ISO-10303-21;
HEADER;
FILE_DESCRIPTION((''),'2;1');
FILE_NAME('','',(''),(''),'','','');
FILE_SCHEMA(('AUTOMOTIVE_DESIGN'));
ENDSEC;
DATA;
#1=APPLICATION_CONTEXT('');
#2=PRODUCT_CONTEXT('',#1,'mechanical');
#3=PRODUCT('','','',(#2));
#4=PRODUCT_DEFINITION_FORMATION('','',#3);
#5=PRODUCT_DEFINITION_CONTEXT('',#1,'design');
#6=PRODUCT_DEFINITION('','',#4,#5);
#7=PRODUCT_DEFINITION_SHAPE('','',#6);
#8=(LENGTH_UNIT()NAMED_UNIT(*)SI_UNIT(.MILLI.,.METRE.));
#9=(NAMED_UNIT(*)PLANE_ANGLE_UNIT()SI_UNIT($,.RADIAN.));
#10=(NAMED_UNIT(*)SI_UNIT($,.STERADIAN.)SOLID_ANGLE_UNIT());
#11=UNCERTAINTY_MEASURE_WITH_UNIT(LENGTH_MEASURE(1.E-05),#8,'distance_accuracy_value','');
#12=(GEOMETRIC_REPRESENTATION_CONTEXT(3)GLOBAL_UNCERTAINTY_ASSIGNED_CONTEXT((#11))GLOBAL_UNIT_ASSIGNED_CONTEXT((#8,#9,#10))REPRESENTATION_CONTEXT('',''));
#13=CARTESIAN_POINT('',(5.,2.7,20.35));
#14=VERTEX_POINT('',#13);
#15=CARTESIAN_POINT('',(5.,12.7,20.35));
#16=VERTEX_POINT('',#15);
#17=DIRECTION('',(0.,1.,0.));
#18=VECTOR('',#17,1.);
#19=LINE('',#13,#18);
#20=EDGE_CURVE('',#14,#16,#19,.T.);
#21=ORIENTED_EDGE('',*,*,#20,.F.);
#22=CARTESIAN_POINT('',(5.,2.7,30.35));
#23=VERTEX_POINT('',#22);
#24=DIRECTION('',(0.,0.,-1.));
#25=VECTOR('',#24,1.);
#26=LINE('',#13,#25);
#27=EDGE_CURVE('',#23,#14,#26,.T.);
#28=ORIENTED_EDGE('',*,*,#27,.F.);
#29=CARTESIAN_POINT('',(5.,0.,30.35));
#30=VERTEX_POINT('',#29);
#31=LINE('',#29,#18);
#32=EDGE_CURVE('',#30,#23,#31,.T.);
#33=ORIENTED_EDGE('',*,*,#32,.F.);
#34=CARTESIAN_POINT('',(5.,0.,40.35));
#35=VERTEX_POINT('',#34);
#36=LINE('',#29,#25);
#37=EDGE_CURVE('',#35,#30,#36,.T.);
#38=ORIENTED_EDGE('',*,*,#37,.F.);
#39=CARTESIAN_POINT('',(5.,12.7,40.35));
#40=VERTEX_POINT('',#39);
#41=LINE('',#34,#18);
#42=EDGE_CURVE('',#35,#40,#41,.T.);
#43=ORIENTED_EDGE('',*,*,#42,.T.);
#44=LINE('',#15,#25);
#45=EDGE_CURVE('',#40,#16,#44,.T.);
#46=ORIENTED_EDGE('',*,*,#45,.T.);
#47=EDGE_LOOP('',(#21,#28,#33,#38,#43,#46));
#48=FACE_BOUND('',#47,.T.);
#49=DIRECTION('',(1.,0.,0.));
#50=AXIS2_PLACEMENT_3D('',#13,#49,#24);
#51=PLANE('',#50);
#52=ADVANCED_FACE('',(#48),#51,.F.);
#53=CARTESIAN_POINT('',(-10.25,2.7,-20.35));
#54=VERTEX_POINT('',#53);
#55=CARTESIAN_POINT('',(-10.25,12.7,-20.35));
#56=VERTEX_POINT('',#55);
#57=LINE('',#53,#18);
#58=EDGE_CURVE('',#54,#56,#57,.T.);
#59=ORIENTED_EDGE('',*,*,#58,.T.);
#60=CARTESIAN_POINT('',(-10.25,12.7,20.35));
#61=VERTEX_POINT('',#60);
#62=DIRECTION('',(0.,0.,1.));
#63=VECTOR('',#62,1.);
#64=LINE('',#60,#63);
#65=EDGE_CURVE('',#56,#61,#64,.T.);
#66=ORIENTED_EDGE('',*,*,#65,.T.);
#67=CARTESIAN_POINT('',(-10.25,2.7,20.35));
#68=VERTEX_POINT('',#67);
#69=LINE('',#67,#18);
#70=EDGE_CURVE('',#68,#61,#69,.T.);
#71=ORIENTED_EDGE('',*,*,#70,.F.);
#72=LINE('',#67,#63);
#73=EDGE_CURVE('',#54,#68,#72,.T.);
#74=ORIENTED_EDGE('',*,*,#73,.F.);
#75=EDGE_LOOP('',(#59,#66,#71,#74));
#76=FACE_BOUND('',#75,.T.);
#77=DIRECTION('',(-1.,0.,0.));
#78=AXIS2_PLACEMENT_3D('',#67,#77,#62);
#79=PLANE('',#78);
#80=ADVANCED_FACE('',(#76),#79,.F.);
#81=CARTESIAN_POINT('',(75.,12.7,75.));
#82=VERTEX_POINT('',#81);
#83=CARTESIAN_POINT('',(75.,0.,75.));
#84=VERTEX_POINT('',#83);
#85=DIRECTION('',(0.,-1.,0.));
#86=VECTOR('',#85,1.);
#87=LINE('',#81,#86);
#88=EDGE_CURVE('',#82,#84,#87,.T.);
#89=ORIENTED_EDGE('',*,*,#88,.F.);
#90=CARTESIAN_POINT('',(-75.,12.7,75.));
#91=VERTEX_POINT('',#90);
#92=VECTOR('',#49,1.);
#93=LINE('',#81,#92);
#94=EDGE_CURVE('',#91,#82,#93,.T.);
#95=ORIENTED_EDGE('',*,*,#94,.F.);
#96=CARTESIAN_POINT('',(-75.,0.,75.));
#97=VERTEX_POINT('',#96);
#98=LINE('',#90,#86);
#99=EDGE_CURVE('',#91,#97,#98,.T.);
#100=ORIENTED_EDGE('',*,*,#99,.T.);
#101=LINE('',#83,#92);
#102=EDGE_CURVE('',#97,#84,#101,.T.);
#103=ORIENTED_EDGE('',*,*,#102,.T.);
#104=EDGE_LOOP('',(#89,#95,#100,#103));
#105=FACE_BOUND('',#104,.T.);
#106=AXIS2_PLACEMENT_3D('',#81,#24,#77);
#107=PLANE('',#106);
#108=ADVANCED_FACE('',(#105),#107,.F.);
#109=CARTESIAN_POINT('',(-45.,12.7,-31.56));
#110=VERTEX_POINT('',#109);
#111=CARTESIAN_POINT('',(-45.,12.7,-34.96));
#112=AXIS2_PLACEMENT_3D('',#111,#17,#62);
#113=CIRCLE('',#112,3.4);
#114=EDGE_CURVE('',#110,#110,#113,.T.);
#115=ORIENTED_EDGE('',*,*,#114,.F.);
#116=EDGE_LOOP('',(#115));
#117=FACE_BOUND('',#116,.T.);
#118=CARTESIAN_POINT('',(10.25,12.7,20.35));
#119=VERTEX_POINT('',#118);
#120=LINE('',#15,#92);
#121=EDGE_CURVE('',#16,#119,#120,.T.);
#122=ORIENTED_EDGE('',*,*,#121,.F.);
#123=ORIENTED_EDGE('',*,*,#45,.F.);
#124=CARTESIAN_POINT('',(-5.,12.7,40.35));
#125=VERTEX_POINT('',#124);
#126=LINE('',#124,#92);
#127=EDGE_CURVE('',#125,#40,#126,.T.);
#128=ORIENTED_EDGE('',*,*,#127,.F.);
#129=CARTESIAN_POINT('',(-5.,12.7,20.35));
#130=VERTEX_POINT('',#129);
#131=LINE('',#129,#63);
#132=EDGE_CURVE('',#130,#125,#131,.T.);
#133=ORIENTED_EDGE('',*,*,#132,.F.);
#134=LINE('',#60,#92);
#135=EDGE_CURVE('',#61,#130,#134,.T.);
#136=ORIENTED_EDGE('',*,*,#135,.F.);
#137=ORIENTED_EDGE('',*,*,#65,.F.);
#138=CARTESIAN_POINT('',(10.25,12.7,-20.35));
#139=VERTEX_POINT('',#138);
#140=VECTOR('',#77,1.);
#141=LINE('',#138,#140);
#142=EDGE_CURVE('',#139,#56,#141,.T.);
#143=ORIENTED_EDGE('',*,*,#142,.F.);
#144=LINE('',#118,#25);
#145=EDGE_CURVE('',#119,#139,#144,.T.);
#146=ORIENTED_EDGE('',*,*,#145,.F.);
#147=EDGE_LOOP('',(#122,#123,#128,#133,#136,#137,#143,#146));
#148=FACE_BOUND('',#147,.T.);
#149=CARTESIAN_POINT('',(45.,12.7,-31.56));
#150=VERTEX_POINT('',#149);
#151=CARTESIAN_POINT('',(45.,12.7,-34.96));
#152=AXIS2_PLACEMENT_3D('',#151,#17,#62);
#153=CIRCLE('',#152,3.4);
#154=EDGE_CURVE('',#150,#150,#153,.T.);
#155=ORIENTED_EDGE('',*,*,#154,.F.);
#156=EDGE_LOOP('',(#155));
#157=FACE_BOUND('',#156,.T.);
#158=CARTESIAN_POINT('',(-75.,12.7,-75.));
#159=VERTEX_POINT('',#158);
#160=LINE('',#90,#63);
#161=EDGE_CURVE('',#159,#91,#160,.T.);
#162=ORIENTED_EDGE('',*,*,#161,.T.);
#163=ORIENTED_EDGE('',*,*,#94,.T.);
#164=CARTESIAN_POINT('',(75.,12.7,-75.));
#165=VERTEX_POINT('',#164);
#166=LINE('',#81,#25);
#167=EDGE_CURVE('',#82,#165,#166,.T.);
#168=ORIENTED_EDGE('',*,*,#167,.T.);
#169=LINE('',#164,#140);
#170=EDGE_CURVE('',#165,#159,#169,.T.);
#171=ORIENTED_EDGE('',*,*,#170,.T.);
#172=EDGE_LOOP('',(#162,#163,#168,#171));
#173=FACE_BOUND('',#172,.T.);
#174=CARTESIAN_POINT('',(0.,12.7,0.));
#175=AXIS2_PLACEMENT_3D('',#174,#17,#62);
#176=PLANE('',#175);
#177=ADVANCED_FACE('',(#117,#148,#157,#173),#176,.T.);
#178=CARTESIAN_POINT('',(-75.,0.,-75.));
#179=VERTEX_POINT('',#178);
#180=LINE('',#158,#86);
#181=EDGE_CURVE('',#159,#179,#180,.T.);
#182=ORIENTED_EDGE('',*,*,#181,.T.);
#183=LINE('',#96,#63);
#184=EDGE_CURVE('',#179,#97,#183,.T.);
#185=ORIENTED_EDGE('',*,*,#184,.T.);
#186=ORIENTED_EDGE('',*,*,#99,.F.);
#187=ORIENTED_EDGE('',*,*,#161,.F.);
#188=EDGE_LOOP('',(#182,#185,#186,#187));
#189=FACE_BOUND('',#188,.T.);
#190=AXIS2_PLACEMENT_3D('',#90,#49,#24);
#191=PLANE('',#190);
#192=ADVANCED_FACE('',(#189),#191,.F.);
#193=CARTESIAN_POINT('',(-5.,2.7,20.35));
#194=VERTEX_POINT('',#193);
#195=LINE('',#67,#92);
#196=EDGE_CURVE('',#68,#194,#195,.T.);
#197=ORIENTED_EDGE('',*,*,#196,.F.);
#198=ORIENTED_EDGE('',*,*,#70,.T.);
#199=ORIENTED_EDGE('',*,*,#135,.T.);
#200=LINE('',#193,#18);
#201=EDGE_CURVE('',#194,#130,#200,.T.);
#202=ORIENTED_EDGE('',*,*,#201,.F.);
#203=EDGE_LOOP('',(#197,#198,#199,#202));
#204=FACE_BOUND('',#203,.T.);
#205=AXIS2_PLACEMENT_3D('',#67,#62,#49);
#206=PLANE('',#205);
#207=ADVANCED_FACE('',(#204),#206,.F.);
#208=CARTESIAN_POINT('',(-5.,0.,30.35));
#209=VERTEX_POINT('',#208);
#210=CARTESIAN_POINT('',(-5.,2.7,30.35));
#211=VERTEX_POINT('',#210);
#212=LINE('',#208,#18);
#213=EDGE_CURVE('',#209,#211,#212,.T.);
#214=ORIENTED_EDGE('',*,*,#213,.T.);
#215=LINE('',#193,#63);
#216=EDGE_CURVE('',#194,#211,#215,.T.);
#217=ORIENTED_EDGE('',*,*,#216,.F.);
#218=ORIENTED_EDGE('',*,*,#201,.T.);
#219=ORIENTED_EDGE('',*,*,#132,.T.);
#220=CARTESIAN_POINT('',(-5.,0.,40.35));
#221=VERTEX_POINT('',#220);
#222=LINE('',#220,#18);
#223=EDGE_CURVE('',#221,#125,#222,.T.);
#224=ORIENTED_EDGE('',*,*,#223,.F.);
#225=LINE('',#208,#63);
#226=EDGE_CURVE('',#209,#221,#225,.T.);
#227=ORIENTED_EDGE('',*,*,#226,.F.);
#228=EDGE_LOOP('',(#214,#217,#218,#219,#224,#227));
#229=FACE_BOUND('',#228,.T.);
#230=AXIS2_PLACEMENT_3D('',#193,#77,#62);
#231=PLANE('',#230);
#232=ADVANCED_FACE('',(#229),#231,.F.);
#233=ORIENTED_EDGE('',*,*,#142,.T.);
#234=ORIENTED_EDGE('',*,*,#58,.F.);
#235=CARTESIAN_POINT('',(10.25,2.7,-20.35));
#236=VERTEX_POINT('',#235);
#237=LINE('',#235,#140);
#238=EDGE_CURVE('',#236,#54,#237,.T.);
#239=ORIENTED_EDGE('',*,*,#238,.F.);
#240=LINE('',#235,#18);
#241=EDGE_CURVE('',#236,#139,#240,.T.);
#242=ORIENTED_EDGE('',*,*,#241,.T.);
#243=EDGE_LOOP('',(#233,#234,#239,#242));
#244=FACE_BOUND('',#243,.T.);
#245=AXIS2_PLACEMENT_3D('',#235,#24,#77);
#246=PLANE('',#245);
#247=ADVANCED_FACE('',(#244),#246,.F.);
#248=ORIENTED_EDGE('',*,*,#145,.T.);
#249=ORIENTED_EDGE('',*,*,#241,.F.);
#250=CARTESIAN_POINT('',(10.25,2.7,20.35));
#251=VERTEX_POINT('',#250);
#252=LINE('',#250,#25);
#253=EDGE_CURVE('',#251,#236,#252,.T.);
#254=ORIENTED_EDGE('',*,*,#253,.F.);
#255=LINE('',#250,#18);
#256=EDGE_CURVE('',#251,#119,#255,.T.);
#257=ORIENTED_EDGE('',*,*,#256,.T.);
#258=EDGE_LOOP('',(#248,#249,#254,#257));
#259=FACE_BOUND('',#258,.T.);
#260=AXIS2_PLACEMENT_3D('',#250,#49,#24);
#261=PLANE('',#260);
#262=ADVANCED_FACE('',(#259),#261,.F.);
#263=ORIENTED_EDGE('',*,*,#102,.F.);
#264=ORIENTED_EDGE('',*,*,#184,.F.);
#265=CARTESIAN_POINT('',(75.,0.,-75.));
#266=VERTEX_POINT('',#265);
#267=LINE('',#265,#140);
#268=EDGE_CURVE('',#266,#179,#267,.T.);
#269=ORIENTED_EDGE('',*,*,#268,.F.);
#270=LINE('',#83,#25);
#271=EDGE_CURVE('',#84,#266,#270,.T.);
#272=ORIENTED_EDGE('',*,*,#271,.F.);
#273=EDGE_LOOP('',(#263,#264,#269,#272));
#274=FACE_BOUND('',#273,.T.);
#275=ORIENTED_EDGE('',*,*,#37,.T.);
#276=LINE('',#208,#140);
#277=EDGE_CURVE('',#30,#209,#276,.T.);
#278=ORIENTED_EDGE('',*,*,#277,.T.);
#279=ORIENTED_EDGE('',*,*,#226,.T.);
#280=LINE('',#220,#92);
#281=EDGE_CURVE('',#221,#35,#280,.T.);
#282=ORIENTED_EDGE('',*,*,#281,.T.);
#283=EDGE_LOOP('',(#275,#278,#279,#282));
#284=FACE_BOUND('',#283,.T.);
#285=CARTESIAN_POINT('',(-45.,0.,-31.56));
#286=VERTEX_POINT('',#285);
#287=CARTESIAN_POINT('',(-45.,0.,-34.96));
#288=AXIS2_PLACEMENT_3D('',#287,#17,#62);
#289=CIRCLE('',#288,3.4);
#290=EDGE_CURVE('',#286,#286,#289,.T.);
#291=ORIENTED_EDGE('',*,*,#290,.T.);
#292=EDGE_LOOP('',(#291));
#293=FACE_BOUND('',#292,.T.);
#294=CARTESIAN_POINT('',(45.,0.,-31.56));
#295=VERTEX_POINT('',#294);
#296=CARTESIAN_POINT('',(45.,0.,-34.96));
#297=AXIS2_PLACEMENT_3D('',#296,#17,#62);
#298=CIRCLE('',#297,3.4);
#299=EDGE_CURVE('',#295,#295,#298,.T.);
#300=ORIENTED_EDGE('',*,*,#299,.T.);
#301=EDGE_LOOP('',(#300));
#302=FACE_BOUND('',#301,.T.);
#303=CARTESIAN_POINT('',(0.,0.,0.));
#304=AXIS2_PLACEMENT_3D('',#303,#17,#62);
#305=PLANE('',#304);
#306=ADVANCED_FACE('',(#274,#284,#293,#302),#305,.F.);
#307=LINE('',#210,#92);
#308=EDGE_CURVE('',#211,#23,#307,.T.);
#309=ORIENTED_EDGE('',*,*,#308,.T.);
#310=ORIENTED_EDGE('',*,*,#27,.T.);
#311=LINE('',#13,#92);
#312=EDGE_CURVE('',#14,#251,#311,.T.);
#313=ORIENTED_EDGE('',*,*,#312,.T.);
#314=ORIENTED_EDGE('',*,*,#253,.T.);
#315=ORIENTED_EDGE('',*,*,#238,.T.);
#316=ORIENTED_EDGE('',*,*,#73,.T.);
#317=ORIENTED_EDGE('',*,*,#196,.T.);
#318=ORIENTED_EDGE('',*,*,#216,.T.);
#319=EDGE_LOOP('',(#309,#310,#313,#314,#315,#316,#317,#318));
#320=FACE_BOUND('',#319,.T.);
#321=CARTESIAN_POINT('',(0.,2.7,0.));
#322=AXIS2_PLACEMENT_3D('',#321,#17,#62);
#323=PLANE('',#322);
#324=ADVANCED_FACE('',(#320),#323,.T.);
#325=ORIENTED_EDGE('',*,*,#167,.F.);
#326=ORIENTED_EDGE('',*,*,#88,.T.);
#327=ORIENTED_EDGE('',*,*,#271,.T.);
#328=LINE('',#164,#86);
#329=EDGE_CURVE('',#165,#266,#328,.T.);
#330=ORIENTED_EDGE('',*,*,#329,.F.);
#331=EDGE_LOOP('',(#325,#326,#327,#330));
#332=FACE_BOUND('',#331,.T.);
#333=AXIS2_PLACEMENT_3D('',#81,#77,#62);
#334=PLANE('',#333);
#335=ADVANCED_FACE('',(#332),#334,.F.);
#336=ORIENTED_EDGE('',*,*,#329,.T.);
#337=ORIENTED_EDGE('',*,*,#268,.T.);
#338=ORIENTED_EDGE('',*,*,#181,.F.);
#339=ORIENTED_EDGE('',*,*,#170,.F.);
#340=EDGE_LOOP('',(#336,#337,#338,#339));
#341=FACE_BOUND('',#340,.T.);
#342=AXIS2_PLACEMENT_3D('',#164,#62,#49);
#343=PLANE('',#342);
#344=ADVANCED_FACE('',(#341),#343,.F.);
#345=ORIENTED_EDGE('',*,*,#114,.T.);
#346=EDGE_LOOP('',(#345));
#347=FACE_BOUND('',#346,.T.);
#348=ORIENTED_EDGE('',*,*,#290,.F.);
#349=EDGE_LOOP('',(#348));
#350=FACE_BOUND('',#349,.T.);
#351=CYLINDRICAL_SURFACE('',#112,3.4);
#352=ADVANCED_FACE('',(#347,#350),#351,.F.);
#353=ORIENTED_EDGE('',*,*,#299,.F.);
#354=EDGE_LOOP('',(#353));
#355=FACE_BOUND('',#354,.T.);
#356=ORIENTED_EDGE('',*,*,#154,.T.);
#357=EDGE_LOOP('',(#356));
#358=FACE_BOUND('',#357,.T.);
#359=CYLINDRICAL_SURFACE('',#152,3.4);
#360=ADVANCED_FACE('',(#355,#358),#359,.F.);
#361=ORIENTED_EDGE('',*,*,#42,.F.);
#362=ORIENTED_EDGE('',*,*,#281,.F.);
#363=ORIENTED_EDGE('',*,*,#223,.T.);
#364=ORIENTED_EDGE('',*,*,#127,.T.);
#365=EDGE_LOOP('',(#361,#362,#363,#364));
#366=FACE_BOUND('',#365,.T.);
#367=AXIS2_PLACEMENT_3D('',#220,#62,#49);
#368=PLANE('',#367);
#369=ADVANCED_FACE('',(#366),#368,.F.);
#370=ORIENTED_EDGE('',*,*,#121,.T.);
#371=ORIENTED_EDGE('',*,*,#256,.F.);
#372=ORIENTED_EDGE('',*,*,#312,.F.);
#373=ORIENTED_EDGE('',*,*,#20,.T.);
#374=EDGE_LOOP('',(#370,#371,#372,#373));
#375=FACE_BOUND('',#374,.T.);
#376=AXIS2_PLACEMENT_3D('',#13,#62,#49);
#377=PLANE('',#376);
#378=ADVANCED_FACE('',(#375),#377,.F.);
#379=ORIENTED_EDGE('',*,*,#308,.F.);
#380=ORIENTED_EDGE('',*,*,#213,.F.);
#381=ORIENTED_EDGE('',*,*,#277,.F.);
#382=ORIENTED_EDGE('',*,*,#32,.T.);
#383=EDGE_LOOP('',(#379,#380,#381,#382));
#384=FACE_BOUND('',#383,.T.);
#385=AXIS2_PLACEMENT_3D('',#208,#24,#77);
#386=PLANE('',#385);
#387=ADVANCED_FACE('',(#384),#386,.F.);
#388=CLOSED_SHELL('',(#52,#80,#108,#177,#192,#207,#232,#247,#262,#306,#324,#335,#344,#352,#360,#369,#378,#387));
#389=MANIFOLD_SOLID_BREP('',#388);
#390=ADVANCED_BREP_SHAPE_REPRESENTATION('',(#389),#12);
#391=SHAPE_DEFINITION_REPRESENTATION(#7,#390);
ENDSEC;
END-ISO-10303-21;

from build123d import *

# Parameters (mm, degrees)
ESBO_O1_W                = 150
ESBO_O1_H                = 150
RESSALTO_EXTRUS_O2_DEPTH = 12.7
CORTE_EXTRUS_O1_DEPTH    = 10
ESBO_O4_W                = 10
ESBO_O4_H                = 10
CORTE_EXTRUS_O2_DEPTH    = 107.823639706
ESBO_O5_R                = 3
CORTE_EXTRUS_O3_DEPTH    = 12.7
FURO_ROSCADO_DE_M83_D    = 6.8


with BuildPart() as part:
    # Esboço1 → Ressalto-extrusão2 (new body)
    with BuildSketch(Plane(origin=(0, 0, 0), x_dir=(1, 0, 0), z_dir=(0, 1, 0))):
        Rectangle(ESBO_O1_W, ESBO_O1_H)
    extrude(amount=RESSALTO_EXTRUS_O2_DEPTH)

    # Esboço2 → Corte-extrusão1 (cut)
    with BuildSketch(Plane(origin=(0, 12.7, 0), x_dir=(1, 0, 0), z_dir=(0, 1, 0))):
        Polygon((10.25, -20.35), (10.25, 20.35), (-10.25, 20.35), (-10.25, -20.35), (-5, -20.35), (-5, -30.35), (5, -30.35), (5, -20.35), align=None)
    extrude(amount=-CORTE_EXTRUS_O1_DEPTH, mode=Mode.SUBTRACT)

    # Esboço4 → Corte-extrusão2 (cut, through all)
    with BuildSketch(Plane(origin=(0, 12.7, 0), x_dir=(1, 0, 0), z_dir=(0, 1, 0))):
        with Locations((0, -35.35)):
            Rectangle(ESBO_O4_W, ESBO_O4_H)
    extrude(amount=-CORTE_EXTRUS_O2_DEPTH, mode=Mode.SUBTRACT)

    # Esboço5 → Corte-extrusão3 (cut)
    with BuildSketch(Plane(origin=(0, 0, 0), x_dir=(-1, 0, 0), z_dir=(0, -1, 0))):
        with Locations(Location((-45, 34.96, 0), (0, 0, 90))):
            Circle(ESBO_O5_R)
        with Locations(Location((45, 34.96, 0), (0, 0, 90))):
            Circle(ESBO_O5_R)
    extrude(amount=-CORTE_EXTRUS_O3_DEPTH, mode=Mode.SUBTRACT)

    # Furo roscado de M83 (through all)
    with Locations(Plane(origin=(0, 12.7, 0), x_dir=(1, 0, 0), z_dir=(0, 1, 0))):
        with Locations((45, 34.96), (-45, 34.96)):
            Hole(FURO_ROSCADO_DE_M83_D / 2)


solid = part.part
